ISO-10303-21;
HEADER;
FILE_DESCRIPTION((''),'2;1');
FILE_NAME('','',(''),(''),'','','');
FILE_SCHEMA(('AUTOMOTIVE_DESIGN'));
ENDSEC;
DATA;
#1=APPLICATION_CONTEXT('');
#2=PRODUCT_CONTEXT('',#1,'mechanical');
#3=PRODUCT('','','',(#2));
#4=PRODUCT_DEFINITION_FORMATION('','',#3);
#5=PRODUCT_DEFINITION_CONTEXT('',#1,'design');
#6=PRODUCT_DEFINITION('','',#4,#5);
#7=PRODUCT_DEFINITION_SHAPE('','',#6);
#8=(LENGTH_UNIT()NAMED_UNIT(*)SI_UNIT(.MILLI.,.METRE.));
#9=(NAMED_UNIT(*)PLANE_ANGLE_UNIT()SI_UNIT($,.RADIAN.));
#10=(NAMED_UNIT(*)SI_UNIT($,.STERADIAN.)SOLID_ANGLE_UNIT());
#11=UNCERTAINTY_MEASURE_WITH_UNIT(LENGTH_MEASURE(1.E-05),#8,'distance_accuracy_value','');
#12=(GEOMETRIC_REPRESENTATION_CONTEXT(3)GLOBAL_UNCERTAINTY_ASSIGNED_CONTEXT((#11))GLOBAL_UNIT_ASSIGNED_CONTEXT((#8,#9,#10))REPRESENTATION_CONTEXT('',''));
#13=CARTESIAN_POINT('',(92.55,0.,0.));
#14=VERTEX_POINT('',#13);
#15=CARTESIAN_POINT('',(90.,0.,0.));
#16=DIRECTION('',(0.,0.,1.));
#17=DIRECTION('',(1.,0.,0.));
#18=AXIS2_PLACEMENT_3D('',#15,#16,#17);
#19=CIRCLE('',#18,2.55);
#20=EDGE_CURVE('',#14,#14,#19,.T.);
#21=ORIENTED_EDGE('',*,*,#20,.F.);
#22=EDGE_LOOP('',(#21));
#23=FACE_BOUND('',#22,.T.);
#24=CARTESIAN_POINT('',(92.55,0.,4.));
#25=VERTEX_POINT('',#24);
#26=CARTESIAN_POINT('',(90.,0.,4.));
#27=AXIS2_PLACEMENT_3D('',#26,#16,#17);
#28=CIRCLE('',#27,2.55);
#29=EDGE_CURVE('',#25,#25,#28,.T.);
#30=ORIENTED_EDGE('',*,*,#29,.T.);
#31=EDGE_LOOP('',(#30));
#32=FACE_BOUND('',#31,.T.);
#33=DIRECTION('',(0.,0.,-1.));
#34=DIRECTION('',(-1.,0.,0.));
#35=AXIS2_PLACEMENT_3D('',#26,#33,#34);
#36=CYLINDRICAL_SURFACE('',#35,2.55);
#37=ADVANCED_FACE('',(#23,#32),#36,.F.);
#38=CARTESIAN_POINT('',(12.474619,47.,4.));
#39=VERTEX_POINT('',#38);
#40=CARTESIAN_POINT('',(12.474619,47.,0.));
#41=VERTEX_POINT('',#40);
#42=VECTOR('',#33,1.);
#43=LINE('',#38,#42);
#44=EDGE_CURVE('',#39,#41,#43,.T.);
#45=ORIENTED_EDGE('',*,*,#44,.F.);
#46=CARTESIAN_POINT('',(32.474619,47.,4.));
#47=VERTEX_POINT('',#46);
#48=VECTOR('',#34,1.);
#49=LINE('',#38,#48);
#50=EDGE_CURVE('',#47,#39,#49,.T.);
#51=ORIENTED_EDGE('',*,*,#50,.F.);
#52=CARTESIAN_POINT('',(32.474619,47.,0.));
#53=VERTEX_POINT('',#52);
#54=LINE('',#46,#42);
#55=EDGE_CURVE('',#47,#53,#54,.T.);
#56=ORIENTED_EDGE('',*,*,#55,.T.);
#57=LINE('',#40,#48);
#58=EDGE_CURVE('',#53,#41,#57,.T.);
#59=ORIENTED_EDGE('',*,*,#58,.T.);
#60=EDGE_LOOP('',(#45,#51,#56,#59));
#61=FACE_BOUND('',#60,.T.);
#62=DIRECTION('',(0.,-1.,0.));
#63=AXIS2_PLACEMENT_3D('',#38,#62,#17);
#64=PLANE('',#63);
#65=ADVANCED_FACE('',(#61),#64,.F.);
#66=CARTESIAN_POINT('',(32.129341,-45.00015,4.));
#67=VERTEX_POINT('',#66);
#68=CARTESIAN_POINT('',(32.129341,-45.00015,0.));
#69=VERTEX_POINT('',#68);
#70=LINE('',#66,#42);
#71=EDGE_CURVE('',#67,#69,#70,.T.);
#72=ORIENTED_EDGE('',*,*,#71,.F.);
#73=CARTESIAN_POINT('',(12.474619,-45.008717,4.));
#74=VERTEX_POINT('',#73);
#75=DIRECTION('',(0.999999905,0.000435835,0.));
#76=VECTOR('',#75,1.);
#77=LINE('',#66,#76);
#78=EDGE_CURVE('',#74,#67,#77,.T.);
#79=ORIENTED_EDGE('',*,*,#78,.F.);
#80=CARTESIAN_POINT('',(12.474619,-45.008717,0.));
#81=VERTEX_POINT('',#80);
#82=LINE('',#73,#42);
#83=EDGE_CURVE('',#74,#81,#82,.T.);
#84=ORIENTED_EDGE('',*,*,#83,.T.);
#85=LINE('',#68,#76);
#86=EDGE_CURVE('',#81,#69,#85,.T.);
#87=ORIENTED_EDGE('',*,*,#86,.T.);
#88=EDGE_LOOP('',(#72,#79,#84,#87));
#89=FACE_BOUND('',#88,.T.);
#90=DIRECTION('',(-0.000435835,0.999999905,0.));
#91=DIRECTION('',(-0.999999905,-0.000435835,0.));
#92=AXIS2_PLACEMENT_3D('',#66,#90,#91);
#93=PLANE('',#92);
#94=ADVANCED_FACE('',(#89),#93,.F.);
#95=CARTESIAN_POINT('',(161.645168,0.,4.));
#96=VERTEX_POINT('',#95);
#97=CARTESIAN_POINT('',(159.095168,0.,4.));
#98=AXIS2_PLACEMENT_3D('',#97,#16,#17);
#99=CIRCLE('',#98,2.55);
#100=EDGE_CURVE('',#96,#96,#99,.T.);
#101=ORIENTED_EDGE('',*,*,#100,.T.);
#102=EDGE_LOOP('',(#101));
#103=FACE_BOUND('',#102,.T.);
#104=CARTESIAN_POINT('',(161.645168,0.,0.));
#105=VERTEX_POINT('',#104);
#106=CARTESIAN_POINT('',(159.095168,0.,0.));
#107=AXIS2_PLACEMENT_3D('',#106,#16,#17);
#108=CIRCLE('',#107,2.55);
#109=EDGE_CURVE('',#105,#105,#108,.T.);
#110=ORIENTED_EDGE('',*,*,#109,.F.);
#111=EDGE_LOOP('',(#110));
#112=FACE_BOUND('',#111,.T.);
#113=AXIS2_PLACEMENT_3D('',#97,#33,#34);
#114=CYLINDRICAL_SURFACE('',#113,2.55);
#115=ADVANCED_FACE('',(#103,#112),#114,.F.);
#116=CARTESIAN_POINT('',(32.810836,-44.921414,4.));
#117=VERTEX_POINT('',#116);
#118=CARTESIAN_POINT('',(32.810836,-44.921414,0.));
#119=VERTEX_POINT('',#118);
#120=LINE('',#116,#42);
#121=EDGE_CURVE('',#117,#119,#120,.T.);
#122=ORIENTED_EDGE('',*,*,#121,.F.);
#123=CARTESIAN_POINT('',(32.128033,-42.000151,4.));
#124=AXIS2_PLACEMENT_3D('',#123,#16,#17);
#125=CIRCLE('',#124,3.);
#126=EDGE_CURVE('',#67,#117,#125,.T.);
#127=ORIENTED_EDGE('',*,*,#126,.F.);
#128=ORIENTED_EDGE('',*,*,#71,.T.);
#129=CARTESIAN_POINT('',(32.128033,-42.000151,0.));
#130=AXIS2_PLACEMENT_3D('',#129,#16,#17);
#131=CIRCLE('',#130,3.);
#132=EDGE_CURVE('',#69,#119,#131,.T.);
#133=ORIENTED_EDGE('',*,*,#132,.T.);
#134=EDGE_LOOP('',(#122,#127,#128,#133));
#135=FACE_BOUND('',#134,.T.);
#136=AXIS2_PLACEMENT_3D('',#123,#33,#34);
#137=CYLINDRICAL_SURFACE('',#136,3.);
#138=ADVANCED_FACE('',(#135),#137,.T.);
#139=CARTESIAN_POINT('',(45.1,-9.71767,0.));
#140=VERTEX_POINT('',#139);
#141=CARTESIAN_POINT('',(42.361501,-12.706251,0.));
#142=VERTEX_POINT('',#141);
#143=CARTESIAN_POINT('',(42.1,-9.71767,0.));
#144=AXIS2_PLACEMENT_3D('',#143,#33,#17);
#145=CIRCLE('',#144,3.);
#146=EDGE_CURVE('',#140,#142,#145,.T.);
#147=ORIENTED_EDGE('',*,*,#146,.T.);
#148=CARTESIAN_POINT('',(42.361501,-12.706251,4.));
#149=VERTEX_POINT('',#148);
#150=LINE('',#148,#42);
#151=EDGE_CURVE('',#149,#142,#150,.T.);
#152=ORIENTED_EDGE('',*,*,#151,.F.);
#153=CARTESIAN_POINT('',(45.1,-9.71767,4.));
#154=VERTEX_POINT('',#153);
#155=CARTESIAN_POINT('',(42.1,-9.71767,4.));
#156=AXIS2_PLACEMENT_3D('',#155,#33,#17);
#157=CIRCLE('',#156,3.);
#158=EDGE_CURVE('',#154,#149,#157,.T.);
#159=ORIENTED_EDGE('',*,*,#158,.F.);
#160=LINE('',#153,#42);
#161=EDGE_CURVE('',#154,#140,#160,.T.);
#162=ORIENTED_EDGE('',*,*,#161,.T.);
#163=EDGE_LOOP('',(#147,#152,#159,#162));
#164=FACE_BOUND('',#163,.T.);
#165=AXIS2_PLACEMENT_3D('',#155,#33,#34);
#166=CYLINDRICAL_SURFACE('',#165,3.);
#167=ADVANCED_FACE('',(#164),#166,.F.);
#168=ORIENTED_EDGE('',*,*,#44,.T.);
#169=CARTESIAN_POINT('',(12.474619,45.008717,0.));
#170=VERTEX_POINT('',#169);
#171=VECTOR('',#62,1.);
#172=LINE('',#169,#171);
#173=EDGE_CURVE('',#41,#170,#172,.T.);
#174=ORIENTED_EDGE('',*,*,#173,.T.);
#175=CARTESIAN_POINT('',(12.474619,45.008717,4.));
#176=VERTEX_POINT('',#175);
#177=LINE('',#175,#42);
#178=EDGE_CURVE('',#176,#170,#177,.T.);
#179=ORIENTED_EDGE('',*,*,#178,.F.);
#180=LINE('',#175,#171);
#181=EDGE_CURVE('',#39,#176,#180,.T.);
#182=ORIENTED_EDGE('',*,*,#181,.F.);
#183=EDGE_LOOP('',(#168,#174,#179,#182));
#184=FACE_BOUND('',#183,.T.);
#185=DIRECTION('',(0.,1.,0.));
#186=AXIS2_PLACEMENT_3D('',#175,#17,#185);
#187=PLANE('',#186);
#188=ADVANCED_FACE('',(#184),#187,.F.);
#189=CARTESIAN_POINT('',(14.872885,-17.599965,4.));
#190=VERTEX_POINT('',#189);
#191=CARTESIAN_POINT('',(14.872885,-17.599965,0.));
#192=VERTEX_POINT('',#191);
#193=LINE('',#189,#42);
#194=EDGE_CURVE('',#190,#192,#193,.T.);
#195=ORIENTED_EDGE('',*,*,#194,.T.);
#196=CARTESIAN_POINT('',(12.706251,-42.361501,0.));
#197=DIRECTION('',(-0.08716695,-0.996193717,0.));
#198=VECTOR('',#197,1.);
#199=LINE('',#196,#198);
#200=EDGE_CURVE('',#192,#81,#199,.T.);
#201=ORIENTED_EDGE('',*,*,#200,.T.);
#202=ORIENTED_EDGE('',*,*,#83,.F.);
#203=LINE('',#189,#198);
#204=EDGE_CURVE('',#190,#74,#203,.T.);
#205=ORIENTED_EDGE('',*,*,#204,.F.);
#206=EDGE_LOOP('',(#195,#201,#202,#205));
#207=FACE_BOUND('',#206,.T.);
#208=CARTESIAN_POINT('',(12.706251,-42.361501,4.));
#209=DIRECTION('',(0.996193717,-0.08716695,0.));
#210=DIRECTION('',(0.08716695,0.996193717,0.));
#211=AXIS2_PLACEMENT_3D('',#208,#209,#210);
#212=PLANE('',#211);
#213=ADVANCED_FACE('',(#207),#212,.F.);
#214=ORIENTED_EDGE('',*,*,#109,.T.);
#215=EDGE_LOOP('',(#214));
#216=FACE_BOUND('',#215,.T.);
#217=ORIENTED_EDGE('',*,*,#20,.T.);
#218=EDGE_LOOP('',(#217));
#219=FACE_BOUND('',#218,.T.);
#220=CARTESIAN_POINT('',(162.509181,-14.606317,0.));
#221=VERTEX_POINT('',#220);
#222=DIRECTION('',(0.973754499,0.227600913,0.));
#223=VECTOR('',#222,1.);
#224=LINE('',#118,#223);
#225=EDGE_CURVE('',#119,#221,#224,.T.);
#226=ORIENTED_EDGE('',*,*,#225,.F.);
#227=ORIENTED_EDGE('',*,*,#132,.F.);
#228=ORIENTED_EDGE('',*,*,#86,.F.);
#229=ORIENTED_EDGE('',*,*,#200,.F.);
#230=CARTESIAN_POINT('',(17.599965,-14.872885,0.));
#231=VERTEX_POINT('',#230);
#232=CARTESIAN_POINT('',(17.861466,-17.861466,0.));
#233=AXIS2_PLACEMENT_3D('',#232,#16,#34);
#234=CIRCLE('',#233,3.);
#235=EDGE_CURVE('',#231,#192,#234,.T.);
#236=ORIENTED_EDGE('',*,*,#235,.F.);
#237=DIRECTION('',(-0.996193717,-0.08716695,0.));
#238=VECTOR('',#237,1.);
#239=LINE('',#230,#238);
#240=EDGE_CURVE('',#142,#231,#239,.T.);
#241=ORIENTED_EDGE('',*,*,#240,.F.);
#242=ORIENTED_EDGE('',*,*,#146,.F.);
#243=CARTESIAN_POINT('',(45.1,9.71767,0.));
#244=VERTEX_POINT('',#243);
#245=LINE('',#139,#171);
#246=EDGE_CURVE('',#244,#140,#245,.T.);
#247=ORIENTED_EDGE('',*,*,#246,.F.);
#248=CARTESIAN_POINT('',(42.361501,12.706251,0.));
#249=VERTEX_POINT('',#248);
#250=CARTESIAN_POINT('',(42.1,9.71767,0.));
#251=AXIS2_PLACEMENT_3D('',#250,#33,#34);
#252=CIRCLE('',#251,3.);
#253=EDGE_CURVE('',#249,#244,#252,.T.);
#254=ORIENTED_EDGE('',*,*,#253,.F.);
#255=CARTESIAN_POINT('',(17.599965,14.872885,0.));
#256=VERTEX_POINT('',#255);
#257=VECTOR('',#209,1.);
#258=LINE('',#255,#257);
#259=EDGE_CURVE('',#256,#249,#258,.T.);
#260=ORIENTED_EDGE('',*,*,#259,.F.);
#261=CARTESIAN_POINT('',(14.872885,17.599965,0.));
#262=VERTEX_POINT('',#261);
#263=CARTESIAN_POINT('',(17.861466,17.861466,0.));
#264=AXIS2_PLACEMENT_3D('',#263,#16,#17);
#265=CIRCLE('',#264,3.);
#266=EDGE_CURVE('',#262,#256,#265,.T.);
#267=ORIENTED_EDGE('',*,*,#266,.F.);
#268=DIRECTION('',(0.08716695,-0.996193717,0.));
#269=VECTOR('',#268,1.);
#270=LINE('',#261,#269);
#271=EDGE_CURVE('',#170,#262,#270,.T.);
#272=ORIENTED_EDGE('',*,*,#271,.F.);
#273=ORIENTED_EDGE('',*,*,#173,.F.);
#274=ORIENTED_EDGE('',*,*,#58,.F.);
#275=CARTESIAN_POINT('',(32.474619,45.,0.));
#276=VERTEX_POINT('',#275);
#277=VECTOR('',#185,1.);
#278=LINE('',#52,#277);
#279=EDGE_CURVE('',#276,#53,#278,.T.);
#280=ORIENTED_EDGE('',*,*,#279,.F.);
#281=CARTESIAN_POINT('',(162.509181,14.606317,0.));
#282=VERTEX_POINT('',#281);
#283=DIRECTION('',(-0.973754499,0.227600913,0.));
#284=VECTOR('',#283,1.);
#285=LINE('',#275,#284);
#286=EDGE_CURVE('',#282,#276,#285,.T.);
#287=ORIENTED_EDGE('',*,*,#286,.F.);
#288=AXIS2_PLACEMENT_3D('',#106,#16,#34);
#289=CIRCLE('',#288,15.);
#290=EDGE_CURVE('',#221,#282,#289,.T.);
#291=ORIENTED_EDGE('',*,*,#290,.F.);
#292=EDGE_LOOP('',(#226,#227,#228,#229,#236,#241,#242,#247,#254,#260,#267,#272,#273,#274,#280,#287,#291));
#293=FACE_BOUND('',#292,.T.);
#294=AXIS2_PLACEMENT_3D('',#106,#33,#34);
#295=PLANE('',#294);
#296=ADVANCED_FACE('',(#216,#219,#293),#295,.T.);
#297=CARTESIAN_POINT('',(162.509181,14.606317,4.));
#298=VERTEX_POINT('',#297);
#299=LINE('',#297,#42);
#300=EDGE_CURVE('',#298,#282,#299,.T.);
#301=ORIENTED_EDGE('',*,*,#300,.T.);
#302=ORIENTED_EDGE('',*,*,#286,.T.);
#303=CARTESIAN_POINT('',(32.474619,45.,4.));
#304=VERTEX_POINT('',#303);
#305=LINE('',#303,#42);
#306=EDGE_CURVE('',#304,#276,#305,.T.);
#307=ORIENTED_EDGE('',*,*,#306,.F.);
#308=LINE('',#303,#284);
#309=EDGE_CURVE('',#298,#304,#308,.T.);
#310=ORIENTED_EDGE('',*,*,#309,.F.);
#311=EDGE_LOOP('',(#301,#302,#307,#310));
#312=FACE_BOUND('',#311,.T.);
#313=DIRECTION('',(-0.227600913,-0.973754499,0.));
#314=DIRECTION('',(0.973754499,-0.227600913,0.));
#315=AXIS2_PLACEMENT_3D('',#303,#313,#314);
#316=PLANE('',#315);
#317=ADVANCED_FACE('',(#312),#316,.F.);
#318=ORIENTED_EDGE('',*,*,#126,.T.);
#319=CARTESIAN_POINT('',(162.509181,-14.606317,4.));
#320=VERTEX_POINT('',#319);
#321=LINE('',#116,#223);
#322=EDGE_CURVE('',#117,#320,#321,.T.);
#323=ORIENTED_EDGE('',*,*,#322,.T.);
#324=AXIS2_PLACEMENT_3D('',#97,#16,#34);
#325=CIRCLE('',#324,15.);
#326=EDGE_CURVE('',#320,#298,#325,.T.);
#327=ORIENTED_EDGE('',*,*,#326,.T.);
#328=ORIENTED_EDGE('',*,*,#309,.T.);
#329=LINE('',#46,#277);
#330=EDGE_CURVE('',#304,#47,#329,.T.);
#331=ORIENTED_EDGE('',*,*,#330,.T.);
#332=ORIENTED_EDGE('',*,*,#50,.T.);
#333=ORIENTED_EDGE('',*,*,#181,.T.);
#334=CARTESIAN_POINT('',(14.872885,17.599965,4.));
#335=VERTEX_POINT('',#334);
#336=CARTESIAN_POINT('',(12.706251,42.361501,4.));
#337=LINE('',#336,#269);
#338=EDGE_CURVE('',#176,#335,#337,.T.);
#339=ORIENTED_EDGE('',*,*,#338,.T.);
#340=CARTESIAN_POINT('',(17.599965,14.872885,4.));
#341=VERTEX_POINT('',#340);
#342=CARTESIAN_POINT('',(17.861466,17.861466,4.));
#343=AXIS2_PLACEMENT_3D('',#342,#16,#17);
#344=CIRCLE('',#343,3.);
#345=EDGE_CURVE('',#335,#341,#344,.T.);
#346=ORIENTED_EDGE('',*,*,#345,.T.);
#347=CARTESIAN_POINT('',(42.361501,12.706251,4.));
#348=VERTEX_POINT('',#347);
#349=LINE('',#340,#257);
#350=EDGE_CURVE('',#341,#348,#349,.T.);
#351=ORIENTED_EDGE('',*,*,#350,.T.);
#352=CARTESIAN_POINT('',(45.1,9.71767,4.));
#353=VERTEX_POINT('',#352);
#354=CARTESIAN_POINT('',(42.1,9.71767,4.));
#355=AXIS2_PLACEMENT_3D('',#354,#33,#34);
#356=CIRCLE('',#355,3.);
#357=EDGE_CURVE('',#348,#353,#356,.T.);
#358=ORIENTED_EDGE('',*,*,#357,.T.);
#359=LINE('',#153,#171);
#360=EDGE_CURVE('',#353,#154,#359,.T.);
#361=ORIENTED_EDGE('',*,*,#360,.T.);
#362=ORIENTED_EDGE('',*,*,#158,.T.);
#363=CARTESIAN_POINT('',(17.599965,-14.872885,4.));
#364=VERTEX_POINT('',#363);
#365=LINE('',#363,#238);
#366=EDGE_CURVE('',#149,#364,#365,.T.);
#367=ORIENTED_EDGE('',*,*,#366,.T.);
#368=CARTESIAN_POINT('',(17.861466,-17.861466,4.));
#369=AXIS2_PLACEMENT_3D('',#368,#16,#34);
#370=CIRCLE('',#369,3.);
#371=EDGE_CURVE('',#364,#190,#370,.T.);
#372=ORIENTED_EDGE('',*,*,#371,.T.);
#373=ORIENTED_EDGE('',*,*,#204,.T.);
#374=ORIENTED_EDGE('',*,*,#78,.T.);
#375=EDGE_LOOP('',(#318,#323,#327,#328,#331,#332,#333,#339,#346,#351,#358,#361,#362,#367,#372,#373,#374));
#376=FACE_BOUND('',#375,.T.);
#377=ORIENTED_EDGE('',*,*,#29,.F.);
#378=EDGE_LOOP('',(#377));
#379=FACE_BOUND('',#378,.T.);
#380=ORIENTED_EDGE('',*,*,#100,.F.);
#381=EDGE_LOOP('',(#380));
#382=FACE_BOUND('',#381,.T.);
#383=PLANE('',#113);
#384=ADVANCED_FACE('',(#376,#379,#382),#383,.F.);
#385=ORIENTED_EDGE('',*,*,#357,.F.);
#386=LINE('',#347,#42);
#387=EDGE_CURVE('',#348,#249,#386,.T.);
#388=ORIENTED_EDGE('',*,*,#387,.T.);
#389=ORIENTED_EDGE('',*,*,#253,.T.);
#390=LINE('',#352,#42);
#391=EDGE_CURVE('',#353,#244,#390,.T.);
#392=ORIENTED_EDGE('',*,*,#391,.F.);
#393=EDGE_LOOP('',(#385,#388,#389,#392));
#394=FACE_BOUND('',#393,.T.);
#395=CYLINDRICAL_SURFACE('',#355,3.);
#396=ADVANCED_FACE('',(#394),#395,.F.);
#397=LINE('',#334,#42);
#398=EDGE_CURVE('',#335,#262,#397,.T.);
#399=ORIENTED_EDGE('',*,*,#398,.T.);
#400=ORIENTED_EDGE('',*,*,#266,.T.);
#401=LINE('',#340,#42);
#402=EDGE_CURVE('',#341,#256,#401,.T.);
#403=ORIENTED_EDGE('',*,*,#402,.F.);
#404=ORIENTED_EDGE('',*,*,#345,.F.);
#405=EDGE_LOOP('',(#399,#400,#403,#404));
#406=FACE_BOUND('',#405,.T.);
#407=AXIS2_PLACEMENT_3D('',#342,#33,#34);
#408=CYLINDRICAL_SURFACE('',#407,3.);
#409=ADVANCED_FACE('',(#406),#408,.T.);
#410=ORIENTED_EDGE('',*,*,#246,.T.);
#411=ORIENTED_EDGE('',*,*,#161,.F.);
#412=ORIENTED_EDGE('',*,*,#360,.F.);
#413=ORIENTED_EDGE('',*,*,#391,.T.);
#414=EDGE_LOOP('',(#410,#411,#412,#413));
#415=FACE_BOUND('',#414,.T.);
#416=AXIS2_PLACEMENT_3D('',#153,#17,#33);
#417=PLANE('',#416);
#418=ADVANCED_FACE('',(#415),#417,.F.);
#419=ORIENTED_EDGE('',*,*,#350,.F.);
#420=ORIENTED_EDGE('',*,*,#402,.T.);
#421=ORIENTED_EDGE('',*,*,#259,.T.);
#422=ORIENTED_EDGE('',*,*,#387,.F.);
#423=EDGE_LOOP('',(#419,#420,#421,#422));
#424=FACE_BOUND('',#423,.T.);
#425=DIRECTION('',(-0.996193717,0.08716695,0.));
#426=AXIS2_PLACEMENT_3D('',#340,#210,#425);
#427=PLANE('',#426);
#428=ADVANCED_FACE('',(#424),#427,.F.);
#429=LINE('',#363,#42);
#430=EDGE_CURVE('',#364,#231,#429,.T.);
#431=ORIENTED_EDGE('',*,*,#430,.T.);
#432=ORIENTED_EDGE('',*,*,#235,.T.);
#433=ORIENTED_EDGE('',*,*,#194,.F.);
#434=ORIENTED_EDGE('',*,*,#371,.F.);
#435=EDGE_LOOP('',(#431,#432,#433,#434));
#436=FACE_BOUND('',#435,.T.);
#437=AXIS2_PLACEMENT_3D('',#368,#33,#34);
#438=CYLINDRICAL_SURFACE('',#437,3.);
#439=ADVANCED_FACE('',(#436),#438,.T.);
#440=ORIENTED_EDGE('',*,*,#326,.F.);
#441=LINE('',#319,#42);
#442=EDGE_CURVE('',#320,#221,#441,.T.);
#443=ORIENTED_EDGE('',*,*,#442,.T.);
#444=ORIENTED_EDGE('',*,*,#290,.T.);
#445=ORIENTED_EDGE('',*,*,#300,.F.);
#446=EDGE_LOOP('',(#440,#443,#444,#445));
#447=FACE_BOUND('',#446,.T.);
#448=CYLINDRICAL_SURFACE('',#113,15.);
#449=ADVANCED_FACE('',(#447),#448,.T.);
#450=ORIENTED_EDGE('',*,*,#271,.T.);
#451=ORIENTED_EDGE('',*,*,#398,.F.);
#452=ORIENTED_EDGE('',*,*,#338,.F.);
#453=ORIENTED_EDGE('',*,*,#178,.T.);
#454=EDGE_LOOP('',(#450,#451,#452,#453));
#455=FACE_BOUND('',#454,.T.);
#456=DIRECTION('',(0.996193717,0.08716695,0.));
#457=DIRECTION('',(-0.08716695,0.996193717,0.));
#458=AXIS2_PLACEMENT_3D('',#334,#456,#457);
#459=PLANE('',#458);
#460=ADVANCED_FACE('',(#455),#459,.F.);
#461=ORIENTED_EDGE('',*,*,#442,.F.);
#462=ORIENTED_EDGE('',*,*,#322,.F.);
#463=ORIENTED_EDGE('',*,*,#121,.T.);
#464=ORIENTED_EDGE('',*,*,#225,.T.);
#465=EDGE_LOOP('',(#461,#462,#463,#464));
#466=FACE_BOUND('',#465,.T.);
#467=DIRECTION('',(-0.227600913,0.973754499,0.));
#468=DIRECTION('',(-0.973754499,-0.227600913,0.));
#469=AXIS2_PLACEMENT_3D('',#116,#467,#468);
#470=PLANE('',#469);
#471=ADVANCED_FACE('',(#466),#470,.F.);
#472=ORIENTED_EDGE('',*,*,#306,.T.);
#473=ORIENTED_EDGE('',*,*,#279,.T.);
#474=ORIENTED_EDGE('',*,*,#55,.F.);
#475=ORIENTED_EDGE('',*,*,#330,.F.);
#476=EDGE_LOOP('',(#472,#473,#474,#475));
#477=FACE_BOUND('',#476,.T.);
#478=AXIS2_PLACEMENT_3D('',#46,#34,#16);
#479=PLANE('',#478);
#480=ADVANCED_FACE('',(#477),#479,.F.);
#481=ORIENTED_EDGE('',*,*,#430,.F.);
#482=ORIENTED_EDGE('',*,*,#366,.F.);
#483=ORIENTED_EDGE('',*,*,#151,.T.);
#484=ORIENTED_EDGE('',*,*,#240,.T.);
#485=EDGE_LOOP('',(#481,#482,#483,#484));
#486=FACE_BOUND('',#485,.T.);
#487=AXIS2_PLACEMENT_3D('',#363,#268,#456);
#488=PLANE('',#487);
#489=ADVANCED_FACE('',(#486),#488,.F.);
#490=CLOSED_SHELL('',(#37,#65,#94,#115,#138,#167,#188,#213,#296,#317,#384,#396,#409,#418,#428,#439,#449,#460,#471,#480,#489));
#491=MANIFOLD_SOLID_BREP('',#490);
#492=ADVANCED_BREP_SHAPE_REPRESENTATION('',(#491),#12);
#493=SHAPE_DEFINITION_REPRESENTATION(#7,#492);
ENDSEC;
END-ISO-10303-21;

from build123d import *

# Parameters (mm, degrees)
SKETCH1_R           = 2.55
BOSS_EXTRUDE1_DEPTH = 4


with BuildPart() as part:
    # Sketch1 → Boss-Extrude1 (new body)
    with BuildSketch(Plane.XY):
        with BuildLine():
            Line((14.872885109, 17.599965411), (12.706250758, 42.361500851))
            Line((12.706250758, 42.361500851), (12.474619372, 45.008716695))
            Line((12.474619372, 45.008716695), (12.474619372, 47))
            Line((12.474619372, 47), (32.474619372, 47))
            Line((32.474619372, 47), (32.474619372, 45))
            Line((32.474619372, 45), (162.509181482, 14.606317485))
            ThreePointArc((162.509181482, 14.606317485), (174.095167783, 0), (162.509181482, -14.606317485))
            Line((162.509181482, -14.606317485), (32.810836001, -44.921414266))
            ThreePointArc((32.810836001, -44.921414266), (32.472346424, -44.980326678), (32.129340765, -45.000150484))
            Line((32.129340765, -45.000150484), (12.474619372, -45.008716695))
            Line((12.474619372, -45.008716695), (12.706250758, -42.361500851))
            Line((12.706250758, -42.361500851), (14.872885109, -17.599965411))
            ThreePointArc((14.872885109, -17.599965411), (15.740145918, -15.740145918), (17.599965411, -14.872885109))
            Line((17.599965411, -14.872885109), (42.361500851, -12.706250758))
            ThreePointArc((42.361500851, -12.706250758), (44.311843411, -11.744427787), (45.1, -9.717669606))
            Line((45.1, -9.717669606), (45.1, 9.717669606))
            ThreePointArc((45.1, 9.717669606), (44.311843411, 11.744427787), (42.361500851, 12.706250758))
            Line((42.361500851, 12.706250758), (17.599965411, 14.872885109))
            ThreePointArc((17.599965411, 14.872885109), (15.740145918, 15.740145918), (14.872885109, 17.599965411))
        make_face()
        with Locations((159.095167783, 0)):
            Circle(SKETCH1_R, mode=Mode.SUBTRACT)
        with Locations((90, 0)):
            Circle(SKETCH1_R, mode=Mode.SUBTRACT)
    extrude(amount=BOSS_EXTRUDE1_DEPTH)


solid = part.part
